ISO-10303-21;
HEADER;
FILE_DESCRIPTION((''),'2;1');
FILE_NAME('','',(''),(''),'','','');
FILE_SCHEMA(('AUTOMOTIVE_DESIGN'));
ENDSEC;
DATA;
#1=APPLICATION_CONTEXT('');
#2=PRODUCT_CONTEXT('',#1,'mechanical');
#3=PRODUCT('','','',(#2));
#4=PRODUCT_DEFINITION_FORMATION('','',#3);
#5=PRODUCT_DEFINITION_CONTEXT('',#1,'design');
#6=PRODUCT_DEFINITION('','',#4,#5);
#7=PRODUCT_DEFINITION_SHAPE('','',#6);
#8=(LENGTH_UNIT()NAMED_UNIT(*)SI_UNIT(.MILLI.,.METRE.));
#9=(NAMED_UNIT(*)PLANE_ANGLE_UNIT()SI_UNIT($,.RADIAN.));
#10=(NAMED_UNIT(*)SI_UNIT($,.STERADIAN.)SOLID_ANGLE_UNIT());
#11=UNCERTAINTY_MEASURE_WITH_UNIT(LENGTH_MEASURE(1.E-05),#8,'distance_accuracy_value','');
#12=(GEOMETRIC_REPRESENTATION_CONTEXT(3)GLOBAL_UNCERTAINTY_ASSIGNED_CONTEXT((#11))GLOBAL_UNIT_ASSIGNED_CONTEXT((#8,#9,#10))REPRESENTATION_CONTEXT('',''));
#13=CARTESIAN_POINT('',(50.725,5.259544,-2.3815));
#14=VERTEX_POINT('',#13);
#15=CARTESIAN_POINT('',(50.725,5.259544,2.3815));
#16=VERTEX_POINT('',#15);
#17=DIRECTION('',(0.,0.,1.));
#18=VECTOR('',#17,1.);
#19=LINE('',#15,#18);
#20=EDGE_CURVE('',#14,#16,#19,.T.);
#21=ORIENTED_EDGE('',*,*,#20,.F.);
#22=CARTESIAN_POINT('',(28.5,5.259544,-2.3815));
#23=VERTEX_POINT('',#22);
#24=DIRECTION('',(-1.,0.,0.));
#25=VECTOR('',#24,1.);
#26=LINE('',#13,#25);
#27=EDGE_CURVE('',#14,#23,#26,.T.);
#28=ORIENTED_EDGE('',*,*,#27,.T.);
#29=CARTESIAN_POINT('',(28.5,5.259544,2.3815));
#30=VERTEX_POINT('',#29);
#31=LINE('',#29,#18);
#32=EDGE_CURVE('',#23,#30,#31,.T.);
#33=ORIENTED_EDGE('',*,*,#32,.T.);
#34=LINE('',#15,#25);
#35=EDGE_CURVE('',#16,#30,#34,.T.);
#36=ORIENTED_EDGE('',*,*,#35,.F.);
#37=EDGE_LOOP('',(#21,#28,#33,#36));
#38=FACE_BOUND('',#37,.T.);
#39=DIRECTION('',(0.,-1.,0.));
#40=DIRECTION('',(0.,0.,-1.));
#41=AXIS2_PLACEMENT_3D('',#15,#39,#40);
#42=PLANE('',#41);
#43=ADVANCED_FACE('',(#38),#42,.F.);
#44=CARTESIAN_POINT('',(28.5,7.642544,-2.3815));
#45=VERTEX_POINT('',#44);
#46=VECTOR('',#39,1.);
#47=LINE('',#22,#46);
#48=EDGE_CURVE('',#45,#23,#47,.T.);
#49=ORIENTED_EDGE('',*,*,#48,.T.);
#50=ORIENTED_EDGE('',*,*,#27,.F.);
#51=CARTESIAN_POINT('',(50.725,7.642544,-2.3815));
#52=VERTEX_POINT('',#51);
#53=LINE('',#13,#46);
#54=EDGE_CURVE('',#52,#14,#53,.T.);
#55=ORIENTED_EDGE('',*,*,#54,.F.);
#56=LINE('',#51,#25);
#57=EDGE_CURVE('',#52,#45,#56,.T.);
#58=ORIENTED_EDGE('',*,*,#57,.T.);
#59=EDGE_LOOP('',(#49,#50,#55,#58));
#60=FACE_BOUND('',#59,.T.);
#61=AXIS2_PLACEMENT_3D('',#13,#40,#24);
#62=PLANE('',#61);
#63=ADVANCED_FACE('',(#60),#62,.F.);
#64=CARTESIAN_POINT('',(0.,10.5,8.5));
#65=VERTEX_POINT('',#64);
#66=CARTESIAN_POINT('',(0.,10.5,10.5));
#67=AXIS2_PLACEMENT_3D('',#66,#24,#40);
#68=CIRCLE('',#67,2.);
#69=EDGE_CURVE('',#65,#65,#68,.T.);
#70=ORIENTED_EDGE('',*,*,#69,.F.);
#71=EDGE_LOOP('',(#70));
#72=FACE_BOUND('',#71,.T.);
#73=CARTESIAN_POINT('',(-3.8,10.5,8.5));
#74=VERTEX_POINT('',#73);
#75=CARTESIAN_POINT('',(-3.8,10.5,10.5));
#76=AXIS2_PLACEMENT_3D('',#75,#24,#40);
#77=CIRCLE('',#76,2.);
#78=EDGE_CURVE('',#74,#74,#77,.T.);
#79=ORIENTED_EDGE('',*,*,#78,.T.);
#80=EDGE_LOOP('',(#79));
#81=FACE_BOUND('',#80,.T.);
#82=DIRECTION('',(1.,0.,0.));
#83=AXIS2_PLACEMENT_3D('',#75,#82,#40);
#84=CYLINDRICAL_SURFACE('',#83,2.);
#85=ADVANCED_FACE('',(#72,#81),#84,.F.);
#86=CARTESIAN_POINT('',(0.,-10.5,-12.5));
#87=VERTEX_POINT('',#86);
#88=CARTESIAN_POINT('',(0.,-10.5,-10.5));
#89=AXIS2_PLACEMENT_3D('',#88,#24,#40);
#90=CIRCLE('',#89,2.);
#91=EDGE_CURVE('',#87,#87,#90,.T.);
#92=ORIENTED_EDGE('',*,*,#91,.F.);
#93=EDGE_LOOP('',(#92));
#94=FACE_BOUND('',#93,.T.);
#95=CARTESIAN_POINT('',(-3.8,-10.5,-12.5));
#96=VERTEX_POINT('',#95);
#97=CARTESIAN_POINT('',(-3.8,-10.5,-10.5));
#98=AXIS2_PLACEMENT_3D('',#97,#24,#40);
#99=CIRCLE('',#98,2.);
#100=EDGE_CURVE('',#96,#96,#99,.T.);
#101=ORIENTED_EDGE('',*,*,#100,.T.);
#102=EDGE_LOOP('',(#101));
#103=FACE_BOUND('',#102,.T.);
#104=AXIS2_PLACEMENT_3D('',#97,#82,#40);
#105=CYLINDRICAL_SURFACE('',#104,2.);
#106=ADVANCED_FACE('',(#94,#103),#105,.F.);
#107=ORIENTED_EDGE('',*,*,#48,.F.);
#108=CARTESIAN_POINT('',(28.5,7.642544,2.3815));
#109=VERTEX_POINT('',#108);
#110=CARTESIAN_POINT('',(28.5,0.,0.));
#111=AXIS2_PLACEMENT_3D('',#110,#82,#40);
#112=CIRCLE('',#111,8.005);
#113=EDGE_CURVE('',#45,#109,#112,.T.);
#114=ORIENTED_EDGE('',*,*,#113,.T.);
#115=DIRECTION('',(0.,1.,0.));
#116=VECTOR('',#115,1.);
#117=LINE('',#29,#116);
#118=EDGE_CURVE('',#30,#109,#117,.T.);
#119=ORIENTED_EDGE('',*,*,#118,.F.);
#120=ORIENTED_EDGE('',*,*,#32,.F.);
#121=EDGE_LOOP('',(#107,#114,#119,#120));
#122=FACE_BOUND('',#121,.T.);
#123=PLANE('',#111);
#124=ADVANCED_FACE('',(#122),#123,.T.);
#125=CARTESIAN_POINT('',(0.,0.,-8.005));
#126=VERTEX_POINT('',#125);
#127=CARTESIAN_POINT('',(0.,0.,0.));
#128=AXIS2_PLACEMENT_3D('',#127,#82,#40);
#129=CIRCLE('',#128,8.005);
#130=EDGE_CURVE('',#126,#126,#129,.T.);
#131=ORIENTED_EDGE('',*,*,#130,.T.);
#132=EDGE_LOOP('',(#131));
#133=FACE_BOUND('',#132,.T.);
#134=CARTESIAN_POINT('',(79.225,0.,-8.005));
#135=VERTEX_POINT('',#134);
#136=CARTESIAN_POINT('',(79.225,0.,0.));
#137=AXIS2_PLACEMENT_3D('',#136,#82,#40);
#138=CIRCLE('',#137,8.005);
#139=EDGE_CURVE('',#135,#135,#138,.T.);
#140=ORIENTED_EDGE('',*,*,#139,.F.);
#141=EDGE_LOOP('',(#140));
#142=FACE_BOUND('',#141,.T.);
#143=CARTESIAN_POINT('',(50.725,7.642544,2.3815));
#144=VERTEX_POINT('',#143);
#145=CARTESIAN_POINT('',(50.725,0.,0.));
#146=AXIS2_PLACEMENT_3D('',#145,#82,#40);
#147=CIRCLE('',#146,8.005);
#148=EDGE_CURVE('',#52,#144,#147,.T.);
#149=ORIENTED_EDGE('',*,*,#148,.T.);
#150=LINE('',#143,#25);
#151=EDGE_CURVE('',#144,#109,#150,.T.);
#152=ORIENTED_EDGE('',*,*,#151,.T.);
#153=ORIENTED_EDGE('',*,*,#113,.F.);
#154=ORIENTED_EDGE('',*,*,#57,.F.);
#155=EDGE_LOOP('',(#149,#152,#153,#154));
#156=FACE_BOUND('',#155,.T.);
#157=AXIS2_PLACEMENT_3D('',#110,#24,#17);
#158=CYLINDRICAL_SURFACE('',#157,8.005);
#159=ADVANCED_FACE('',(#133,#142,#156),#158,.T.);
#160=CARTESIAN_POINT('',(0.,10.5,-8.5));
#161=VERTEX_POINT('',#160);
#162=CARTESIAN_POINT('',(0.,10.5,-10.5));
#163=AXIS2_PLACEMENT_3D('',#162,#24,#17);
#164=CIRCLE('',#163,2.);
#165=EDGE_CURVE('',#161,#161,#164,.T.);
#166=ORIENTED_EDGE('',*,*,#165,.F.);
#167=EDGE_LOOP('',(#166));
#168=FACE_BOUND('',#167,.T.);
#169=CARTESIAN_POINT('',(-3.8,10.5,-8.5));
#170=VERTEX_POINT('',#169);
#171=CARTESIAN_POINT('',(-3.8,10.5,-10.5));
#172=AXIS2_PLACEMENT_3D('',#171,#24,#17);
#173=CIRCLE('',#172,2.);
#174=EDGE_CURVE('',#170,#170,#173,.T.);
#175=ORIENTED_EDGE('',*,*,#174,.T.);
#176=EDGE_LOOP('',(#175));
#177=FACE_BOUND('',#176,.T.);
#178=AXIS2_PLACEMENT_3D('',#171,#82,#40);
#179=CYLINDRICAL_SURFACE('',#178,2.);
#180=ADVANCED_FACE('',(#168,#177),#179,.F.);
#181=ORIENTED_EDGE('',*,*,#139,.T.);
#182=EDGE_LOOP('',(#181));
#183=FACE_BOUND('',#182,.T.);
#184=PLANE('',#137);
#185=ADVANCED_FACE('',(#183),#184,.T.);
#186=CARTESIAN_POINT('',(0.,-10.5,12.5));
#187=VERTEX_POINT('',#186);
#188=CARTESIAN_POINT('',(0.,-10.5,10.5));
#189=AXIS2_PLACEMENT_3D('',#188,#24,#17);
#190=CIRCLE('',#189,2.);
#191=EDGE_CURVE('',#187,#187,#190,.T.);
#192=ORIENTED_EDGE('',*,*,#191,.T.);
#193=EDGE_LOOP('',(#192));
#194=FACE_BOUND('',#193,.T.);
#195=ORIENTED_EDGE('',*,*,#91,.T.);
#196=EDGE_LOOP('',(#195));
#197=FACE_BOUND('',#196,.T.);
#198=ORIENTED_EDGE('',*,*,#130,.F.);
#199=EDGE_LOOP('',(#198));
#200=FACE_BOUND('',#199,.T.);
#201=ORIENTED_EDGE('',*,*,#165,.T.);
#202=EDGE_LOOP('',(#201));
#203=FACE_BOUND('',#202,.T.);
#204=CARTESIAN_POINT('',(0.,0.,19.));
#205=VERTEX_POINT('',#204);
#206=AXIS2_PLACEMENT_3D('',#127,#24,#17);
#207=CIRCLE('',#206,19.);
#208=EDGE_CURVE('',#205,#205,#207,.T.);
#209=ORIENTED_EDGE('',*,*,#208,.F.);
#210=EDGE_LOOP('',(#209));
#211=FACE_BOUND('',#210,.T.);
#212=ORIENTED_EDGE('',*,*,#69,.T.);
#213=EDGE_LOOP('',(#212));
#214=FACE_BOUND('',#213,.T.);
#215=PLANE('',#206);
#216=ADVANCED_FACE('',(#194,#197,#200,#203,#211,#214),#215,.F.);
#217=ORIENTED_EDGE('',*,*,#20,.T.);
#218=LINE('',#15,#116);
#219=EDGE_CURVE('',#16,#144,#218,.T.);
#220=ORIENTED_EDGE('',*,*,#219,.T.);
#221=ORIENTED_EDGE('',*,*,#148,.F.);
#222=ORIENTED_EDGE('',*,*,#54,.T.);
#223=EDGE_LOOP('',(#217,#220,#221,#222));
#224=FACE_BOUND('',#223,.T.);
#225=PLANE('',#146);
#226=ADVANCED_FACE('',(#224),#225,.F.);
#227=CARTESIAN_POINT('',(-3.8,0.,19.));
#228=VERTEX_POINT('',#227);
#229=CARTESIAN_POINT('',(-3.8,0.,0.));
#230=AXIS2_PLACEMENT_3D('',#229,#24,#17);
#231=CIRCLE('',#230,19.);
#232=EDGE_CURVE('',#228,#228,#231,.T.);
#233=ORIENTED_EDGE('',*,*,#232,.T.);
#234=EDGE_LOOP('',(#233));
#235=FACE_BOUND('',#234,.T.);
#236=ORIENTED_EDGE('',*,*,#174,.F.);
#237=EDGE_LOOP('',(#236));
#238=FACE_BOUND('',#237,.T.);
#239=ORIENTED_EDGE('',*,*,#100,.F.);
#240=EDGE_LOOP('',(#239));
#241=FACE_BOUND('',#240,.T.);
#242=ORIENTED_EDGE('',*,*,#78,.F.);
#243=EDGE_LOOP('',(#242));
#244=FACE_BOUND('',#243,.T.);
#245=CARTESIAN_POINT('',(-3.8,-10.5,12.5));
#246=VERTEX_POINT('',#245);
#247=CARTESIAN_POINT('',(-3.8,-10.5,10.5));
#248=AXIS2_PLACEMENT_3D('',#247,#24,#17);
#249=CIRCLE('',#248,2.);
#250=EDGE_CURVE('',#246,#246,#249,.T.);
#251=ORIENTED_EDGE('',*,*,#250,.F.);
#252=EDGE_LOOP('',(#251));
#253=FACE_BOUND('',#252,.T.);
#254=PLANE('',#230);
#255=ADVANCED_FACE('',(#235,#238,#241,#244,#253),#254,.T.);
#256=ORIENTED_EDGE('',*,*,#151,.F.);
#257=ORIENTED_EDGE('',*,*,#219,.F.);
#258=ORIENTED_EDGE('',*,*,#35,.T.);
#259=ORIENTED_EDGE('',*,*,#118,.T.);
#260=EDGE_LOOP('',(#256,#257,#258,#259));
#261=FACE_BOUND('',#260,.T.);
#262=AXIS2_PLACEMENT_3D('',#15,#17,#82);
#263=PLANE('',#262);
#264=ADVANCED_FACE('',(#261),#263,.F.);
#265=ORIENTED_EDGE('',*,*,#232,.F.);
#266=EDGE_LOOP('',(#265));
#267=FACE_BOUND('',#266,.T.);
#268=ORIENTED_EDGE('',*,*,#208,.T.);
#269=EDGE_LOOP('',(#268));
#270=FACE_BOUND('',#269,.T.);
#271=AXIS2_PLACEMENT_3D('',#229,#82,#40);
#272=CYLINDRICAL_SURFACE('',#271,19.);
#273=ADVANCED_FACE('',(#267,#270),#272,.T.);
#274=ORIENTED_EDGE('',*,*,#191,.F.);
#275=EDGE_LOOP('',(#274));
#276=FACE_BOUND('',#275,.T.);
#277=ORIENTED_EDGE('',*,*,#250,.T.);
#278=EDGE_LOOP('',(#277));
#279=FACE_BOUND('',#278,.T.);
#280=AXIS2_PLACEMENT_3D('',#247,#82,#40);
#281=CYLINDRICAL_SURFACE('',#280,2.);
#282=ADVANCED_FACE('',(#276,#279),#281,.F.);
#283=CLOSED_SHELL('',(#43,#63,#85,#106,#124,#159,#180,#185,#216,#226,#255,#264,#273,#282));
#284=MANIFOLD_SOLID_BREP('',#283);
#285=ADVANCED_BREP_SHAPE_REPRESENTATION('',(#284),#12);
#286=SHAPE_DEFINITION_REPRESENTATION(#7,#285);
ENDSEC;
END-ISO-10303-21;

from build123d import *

# Parameters (mm, degrees)
SKETCH1_R           = 8.005
BOSS_EXTRUDE1_DEPTH = 28.5
SKETCH4_R           = 19
SKETCH4_R_2         = 2
BOSS_EXTRUDE3_DEPTH = 3.8
BOSS_EXTRUDE5_DEPTH = 22.225
SKETCH7_R           = 8.005
BOSS_EXTRUDE6_DEPTH = 28.5


with BuildPart() as part:
    # Sketch1 → Boss-Extrude1 (new body)
    with BuildSketch(Plane(origin=(0, 0, 0), x_dir=(0, 0, -1), z_dir=(1, 0, 0))):
        Circle(SKETCH1_R)
    extrude(amount=BOSS_EXTRUDE1_DEPTH)

    # Sketch4 → Boss-Extrude3 (add)
    with BuildSketch(Plane.ZY):
        Circle(SKETCH4_R)
        with Locations((-10.5, 10.5)):
            Circle(SKETCH4_R_2, mode=Mode.SUBTRACT)
        with Locations((10.5, 10.5)):
            Circle(SKETCH4_R_2, mode=Mode.SUBTRACT)
        with Locations((10.5, -10.5)):
            Circle(SKETCH4_R_2, mode=Mode.SUBTRACT)
        with Locations((-10.5, -10.5)):
            Circle(SKETCH4_R_2, mode=Mode.SUBTRACT)
    extrude(amount=BOSS_EXTRUDE3_DEPTH)

    # Sketch6 → Boss-Extrude5 (add)
    with BuildSketch(Plane(origin=(28.5, 0, 0), x_dir=(0, 0, -1), z_dir=(1, 0, 0))):
        with BuildLine():
            Line((-2.3815, 5.259544), (2.3815, 5.259544))
            Line((2.3815, 5.259544), (2.3815, 7.642544))
            ThreePointArc((2.3815, 7.642544), (0, -8.005), (-2.3815, 7.642544))
            Line((-2.3815, 7.642544), (-2.3815, 5.259544))
        make_face()
    extrude(amount=BOSS_EXTRUDE5_DEPTH)

    # Sketch7 → Boss-Extrude6 (add)
    with BuildSketch(Plane(origin=(50.725, 0, 0), x_dir=(0, 0, -1), z_dir=(1, 0, 0))):
        Circle(SKETCH7_R)
    extrude(amount=BOSS_EXTRUDE6_DEPTH)


solid = part.part
